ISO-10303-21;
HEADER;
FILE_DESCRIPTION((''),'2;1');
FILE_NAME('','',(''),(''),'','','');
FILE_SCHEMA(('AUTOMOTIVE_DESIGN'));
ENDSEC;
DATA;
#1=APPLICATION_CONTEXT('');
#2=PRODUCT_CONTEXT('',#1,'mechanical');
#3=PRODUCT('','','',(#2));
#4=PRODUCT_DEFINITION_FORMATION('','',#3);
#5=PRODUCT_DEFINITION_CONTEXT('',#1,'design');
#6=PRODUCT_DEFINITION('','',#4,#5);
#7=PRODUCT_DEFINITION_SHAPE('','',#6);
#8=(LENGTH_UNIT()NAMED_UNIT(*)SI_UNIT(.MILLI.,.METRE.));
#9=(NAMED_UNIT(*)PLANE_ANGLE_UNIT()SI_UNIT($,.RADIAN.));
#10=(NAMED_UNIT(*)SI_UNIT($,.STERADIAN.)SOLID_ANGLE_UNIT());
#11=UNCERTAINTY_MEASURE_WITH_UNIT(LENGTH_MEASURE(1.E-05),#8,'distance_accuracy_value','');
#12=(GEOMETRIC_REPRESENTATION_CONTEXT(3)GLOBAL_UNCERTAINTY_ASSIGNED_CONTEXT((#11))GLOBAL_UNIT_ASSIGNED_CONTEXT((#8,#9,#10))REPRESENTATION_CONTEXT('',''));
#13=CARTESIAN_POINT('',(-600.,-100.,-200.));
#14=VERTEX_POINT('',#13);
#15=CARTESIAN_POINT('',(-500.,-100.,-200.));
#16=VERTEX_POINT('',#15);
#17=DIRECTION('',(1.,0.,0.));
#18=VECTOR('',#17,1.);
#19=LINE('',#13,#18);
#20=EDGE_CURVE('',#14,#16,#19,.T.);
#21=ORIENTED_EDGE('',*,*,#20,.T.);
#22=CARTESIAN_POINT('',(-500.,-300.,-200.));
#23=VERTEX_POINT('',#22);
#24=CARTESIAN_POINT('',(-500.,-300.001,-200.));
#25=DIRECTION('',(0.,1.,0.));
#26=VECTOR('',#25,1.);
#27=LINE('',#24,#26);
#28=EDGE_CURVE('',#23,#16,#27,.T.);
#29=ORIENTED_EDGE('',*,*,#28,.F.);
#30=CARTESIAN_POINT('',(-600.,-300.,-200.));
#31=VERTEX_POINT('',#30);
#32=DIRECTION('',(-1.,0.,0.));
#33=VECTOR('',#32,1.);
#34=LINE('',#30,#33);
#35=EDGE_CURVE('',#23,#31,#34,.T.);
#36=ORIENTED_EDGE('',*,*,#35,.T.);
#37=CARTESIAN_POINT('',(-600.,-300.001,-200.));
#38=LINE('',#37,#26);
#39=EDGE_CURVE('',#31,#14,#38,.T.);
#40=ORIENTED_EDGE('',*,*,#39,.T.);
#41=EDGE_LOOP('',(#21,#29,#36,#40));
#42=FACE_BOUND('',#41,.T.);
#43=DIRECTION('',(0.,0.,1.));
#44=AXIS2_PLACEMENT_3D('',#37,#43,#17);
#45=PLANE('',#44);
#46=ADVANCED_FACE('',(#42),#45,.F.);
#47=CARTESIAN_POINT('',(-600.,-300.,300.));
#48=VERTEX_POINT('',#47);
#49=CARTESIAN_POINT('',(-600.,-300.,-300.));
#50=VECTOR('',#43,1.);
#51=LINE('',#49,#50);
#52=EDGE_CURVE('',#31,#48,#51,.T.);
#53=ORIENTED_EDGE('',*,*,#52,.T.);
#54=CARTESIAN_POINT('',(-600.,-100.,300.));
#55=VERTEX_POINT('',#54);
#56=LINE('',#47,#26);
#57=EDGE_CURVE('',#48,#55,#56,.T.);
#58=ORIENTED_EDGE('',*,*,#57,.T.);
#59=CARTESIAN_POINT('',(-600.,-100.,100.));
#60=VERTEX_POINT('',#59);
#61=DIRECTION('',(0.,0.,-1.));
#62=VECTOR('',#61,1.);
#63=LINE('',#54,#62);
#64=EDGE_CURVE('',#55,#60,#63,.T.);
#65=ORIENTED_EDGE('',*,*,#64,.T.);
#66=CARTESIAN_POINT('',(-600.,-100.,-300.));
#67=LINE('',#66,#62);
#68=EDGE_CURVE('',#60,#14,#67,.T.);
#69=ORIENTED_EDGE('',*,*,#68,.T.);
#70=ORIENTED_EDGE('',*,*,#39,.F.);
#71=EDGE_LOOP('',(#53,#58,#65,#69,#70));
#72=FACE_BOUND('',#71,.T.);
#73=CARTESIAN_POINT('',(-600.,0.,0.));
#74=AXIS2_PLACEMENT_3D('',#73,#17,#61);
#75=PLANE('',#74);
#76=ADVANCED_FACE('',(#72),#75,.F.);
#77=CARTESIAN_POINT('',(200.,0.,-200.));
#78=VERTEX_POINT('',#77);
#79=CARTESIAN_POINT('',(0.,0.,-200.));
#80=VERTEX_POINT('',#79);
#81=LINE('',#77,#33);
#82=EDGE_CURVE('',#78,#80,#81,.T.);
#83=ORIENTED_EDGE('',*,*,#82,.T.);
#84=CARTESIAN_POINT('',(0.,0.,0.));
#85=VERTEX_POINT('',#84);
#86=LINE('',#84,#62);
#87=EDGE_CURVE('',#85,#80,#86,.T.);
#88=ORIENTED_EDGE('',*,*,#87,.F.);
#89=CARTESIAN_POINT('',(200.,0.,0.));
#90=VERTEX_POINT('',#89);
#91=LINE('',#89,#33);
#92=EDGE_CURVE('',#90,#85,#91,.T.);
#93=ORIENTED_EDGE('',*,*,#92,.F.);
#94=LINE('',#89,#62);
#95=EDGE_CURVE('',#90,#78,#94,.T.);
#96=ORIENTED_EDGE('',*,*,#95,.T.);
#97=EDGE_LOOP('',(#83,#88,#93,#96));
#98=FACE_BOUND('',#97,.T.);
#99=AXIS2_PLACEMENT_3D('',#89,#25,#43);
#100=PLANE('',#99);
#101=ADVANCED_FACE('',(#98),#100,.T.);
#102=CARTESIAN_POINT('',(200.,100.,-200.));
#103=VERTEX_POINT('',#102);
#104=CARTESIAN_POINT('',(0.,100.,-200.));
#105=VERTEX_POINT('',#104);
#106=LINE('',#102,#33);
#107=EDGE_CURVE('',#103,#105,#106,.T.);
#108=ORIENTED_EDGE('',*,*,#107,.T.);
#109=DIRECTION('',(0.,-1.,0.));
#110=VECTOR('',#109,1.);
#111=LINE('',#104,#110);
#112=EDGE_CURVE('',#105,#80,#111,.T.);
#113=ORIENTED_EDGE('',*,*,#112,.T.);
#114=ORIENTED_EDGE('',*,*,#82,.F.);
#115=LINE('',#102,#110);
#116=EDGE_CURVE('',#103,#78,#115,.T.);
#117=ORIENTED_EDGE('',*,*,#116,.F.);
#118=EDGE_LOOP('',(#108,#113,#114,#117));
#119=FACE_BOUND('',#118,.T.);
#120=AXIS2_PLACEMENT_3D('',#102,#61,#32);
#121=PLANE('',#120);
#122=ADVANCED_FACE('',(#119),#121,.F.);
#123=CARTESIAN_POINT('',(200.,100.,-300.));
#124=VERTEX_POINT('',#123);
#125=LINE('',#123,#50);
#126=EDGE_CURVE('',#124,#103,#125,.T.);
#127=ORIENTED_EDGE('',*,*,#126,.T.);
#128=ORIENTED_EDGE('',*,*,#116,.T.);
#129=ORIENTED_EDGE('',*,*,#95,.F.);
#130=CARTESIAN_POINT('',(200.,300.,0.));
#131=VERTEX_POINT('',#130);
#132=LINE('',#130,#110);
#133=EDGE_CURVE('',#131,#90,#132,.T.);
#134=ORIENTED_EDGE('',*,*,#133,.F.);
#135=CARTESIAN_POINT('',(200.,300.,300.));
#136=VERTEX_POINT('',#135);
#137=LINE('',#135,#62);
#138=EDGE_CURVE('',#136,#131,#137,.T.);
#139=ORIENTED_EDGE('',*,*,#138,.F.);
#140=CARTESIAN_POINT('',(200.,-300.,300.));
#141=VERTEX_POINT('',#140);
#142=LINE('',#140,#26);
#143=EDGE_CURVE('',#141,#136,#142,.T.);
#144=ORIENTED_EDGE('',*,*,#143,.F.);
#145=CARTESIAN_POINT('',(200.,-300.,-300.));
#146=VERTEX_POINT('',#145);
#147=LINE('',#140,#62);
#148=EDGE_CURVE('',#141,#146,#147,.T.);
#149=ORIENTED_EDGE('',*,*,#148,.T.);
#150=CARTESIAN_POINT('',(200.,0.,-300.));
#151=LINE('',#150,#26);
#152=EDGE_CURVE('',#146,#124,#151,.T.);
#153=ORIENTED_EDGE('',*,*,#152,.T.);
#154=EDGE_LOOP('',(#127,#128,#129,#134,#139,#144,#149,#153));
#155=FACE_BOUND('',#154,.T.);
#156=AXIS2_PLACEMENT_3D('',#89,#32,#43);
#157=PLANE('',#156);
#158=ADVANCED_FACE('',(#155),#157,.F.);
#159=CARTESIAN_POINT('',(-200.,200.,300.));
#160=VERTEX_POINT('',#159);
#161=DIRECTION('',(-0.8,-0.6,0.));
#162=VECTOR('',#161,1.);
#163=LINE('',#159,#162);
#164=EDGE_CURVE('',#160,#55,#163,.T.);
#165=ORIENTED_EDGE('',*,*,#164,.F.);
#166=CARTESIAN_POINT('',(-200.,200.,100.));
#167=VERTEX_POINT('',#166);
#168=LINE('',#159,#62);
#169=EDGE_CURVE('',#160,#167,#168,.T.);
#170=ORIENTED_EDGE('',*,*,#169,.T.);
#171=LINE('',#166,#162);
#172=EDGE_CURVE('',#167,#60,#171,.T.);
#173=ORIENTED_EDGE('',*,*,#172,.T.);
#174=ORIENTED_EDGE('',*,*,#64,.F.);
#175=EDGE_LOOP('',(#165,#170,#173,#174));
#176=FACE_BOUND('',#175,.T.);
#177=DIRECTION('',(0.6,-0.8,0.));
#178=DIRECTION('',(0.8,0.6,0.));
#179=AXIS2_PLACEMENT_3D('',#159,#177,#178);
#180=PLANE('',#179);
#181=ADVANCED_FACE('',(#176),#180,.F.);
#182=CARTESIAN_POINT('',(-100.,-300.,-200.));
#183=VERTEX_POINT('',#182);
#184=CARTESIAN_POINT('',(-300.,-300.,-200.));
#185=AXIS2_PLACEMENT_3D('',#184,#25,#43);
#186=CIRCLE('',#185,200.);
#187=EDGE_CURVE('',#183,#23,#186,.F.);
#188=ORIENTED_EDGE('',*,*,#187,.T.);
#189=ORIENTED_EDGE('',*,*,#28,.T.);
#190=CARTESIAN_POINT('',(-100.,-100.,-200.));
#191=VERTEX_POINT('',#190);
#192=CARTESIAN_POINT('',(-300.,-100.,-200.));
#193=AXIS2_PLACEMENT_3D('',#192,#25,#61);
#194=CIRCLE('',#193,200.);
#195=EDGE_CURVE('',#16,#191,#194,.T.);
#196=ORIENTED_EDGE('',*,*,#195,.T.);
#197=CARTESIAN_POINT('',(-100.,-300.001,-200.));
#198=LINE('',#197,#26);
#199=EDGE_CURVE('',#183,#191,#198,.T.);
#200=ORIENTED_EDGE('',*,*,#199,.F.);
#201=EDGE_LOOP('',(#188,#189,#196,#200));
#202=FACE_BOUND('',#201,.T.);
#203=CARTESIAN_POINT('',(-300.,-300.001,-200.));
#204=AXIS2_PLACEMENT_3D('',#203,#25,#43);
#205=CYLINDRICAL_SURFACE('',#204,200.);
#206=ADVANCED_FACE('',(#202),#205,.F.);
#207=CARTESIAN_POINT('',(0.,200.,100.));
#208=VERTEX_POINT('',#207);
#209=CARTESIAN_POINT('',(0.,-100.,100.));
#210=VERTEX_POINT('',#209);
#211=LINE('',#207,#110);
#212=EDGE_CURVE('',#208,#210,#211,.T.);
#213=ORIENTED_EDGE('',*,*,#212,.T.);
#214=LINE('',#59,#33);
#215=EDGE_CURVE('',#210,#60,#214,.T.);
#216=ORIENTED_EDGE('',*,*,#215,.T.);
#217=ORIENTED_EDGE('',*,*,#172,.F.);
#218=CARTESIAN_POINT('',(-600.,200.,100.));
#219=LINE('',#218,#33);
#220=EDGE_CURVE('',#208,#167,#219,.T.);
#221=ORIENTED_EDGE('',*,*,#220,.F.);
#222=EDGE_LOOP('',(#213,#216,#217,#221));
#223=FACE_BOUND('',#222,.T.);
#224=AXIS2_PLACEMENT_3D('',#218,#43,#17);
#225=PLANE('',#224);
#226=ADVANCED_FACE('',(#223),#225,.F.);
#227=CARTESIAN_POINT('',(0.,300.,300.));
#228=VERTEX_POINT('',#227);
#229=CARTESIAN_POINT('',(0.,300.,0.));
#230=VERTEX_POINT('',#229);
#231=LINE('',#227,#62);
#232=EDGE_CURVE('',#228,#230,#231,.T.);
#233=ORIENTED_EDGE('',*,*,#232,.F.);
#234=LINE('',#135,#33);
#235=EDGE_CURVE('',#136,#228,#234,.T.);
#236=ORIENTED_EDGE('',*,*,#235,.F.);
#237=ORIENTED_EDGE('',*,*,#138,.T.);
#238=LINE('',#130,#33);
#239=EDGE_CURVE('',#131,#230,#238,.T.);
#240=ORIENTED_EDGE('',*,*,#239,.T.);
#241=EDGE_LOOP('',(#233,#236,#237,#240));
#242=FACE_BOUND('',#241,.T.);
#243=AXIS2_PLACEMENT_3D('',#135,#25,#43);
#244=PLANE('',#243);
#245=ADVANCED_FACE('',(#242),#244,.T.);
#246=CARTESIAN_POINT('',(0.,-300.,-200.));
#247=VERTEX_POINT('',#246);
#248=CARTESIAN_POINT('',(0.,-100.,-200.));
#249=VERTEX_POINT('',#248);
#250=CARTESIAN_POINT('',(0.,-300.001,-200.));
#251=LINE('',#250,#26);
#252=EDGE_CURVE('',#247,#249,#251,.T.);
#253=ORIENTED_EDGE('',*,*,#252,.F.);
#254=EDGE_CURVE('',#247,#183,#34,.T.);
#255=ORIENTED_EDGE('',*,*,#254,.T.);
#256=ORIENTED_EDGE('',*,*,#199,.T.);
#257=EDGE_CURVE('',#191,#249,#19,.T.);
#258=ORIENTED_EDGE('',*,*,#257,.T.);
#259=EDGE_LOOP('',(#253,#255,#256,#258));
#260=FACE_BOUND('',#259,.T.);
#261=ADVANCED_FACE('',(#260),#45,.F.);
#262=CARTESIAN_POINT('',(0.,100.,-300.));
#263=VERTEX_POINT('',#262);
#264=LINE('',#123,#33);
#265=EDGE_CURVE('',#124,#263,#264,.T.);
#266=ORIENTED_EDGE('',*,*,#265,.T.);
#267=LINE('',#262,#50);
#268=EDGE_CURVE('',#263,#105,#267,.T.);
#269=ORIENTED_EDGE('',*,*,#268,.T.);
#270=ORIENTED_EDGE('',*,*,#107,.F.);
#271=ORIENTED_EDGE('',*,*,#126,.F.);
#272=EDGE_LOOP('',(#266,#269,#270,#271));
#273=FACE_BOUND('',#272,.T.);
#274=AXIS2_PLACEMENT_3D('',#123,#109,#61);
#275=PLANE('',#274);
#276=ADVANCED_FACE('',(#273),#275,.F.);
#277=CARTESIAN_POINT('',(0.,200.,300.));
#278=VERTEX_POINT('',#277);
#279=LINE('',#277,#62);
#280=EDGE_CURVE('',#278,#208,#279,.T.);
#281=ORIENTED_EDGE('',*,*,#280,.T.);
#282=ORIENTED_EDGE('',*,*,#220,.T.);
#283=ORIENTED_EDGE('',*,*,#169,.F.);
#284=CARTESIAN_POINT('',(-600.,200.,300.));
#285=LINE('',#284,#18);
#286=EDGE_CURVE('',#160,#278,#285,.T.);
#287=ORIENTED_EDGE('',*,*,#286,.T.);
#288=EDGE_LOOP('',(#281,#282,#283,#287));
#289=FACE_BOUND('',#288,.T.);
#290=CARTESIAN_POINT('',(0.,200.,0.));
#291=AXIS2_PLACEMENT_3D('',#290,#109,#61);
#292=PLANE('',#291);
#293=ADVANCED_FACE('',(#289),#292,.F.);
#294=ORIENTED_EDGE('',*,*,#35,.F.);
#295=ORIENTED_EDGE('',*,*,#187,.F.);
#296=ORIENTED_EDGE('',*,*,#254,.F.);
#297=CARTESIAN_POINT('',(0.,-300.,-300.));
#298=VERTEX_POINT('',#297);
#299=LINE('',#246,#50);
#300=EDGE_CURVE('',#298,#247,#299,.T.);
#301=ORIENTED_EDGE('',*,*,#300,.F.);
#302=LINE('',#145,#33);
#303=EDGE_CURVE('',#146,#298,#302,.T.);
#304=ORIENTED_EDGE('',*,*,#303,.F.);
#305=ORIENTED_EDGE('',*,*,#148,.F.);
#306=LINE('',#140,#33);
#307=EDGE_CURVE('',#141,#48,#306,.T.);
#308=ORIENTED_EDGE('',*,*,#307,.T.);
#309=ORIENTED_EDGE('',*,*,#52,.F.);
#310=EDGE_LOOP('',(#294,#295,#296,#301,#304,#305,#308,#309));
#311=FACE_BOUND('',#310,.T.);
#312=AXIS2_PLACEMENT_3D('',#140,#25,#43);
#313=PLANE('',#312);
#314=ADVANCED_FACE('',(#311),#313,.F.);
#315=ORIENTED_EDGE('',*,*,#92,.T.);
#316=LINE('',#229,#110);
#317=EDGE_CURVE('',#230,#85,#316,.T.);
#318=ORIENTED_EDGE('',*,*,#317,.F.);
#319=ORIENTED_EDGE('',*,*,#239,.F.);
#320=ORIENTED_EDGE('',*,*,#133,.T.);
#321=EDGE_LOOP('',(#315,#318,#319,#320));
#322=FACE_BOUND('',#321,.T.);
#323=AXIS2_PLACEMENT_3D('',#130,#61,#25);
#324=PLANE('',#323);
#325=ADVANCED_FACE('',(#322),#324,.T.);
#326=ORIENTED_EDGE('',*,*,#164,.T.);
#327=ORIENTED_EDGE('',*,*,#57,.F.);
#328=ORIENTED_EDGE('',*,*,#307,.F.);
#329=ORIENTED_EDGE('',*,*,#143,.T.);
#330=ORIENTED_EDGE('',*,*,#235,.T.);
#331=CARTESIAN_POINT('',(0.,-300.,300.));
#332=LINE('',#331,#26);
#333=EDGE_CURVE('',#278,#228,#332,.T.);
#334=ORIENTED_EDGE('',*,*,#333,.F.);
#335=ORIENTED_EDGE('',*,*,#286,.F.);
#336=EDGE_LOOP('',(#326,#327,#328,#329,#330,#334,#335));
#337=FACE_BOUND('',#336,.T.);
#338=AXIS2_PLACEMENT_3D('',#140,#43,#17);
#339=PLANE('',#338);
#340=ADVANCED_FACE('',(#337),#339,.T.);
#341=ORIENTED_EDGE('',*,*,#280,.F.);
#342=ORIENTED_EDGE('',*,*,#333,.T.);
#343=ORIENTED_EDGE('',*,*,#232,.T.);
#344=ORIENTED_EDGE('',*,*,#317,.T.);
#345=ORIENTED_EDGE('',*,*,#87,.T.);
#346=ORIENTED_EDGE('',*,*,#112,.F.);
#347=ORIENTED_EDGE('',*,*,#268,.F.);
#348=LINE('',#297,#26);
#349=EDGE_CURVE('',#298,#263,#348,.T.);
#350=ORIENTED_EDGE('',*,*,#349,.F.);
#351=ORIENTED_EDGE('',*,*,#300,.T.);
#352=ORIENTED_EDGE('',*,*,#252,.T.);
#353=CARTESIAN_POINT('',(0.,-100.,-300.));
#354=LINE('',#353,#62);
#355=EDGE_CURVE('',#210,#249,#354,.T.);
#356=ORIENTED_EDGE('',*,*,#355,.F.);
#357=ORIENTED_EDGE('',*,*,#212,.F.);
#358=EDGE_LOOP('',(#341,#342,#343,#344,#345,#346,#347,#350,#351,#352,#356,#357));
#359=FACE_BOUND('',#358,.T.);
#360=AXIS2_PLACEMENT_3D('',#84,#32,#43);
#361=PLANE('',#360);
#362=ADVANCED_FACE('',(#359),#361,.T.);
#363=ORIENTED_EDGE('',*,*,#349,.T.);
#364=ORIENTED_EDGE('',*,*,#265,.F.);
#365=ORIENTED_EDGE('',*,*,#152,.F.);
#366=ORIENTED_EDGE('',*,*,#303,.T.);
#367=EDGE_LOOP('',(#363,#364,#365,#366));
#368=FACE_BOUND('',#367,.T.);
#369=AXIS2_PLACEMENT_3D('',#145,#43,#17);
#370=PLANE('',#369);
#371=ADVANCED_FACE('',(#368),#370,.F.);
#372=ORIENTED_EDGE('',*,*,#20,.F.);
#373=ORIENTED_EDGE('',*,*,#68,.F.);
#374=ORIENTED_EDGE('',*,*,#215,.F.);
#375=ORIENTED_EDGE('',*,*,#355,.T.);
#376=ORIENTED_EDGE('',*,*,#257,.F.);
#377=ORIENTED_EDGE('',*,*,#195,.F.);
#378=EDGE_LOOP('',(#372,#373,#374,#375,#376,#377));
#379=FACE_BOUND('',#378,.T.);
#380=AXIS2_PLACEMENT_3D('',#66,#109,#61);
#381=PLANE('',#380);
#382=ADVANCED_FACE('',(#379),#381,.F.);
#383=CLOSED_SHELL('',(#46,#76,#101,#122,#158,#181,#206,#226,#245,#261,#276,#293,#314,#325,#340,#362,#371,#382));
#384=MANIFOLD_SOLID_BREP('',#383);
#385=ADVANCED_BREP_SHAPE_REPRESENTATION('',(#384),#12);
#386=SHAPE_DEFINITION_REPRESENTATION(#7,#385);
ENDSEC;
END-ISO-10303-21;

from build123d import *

# Parameters (mm, degrees)
SALIENTE_EXTRUIR1_DEPTH = 200
CROQUIS3_W              = 600
CROQUIS3_H              = 200
SALIENTE_EXTRUIR2_DEPTH = 600
CORTAR_EXTRUIR1_REACH   = 783.025
CROQUIS4_W              = 600
CROQUIS4_H              = 100
CORTAR_EXTRUIR2_REACH   = 783.025
CROQUIS6_W              = 600
CROQUIS6_H              = 200
SALIENTE_EXTRUIR3_DEPTH = 300
CORTAR_EXTRUIR3_DEPTH   = 200


with BuildPart() as part:
    # Croquis2 → Saliente-Extruir1 (new body)
    with BuildSketch(Plane(origin=(0, 0, 0), x_dir=(0, 0, -1), z_dir=(1, 0, 0))):
        Polygon((-300, -300), (300, -300), (300, 0), (300, 100), (200, 100), (200, 0), (0, 0), (0, 300), (-300, 300), align=None)
    extrude(amount=SALIENTE_EXTRUIR1_DEPTH)

    # Croquis3 → Saliente-Extruir2 (add)
    with BuildSketch(Plane.ZY):
        with Locations((0, -200)):
            Rectangle(CROQUIS3_W, CROQUIS3_H)
    extrude(amount=SALIENTE_EXTRUIR2_DEPTH)

    # Croquis4 → Cortar-Extruir1 (cut, up to next)
    with BuildSketch(Plane(origin=(0, -100, 0), x_dir=(1, 0, 0), z_dir=(0, 1, 0)), mode=Mode.PRIVATE) as cortar_extruir1_sk1:
        with Locations((-300, 250)):
            Rectangle(CROQUIS4_W, CROQUIS4_H)
    cortar_extruir1_tool1 = extrude(cortar_extruir1_sk1.sketch, amount=-CORTAR_EXTRUIR1_REACH, mode=Mode.PRIVATE) & part.part
    add(cortar_extruir1_tool1.solids().sort_by_distance((-300, -100, -250))[0], mode=Mode.SUBTRACT)

    # Croquis5 → Cortar-Extruir2 (cut, up to next)
    with BuildSketch(Plane(origin=(0, -100, 0), x_dir=(1, 0, 0), z_dir=(0, 1, 0)), mode=Mode.PRIVATE) as cortar_extruir2_sk1:
        with BuildLine():
            Line((-500, 200), (-100, 200))
            ThreePointArc((-100, 200), (-300, 0), (-500, 200))
        make_face()
    cortar_extruir2_tool1 = extrude(cortar_extruir2_sk1.sketch, amount=-CORTAR_EXTRUIR2_REACH, mode=Mode.PRIVATE) & part.part
    add(cortar_extruir2_tool1.solids().sort_by_distance((-300, -100, -115.117364))[0], mode=Mode.SUBTRACT)

    # Croquis6 → Saliente-Extruir3 (add)
    with BuildSketch(Plane(origin=(0, -100, 0), x_dir=(1, 0, 0), z_dir=(0, 1, 0))):
        with Locations((-300, -200)):
            Rectangle(CROQUIS6_W, CROQUIS6_H)
    extrude(amount=SALIENTE_EXTRUIR3_DEPTH)

    # Croquis7 → Cortar-Extruir3 (cut)
    with BuildSketch(Plane(origin=(0, 0, 100), x_dir=(-1, 0, 0), z_dir=(0, 0, -1))):
        Polygon((200, 200), (600, -100), (600, 200), align=None)
    extrude(amount=-CORTAR_EXTRUIR3_DEPTH, mode=Mode.SUBTRACT)


solid = part.part
